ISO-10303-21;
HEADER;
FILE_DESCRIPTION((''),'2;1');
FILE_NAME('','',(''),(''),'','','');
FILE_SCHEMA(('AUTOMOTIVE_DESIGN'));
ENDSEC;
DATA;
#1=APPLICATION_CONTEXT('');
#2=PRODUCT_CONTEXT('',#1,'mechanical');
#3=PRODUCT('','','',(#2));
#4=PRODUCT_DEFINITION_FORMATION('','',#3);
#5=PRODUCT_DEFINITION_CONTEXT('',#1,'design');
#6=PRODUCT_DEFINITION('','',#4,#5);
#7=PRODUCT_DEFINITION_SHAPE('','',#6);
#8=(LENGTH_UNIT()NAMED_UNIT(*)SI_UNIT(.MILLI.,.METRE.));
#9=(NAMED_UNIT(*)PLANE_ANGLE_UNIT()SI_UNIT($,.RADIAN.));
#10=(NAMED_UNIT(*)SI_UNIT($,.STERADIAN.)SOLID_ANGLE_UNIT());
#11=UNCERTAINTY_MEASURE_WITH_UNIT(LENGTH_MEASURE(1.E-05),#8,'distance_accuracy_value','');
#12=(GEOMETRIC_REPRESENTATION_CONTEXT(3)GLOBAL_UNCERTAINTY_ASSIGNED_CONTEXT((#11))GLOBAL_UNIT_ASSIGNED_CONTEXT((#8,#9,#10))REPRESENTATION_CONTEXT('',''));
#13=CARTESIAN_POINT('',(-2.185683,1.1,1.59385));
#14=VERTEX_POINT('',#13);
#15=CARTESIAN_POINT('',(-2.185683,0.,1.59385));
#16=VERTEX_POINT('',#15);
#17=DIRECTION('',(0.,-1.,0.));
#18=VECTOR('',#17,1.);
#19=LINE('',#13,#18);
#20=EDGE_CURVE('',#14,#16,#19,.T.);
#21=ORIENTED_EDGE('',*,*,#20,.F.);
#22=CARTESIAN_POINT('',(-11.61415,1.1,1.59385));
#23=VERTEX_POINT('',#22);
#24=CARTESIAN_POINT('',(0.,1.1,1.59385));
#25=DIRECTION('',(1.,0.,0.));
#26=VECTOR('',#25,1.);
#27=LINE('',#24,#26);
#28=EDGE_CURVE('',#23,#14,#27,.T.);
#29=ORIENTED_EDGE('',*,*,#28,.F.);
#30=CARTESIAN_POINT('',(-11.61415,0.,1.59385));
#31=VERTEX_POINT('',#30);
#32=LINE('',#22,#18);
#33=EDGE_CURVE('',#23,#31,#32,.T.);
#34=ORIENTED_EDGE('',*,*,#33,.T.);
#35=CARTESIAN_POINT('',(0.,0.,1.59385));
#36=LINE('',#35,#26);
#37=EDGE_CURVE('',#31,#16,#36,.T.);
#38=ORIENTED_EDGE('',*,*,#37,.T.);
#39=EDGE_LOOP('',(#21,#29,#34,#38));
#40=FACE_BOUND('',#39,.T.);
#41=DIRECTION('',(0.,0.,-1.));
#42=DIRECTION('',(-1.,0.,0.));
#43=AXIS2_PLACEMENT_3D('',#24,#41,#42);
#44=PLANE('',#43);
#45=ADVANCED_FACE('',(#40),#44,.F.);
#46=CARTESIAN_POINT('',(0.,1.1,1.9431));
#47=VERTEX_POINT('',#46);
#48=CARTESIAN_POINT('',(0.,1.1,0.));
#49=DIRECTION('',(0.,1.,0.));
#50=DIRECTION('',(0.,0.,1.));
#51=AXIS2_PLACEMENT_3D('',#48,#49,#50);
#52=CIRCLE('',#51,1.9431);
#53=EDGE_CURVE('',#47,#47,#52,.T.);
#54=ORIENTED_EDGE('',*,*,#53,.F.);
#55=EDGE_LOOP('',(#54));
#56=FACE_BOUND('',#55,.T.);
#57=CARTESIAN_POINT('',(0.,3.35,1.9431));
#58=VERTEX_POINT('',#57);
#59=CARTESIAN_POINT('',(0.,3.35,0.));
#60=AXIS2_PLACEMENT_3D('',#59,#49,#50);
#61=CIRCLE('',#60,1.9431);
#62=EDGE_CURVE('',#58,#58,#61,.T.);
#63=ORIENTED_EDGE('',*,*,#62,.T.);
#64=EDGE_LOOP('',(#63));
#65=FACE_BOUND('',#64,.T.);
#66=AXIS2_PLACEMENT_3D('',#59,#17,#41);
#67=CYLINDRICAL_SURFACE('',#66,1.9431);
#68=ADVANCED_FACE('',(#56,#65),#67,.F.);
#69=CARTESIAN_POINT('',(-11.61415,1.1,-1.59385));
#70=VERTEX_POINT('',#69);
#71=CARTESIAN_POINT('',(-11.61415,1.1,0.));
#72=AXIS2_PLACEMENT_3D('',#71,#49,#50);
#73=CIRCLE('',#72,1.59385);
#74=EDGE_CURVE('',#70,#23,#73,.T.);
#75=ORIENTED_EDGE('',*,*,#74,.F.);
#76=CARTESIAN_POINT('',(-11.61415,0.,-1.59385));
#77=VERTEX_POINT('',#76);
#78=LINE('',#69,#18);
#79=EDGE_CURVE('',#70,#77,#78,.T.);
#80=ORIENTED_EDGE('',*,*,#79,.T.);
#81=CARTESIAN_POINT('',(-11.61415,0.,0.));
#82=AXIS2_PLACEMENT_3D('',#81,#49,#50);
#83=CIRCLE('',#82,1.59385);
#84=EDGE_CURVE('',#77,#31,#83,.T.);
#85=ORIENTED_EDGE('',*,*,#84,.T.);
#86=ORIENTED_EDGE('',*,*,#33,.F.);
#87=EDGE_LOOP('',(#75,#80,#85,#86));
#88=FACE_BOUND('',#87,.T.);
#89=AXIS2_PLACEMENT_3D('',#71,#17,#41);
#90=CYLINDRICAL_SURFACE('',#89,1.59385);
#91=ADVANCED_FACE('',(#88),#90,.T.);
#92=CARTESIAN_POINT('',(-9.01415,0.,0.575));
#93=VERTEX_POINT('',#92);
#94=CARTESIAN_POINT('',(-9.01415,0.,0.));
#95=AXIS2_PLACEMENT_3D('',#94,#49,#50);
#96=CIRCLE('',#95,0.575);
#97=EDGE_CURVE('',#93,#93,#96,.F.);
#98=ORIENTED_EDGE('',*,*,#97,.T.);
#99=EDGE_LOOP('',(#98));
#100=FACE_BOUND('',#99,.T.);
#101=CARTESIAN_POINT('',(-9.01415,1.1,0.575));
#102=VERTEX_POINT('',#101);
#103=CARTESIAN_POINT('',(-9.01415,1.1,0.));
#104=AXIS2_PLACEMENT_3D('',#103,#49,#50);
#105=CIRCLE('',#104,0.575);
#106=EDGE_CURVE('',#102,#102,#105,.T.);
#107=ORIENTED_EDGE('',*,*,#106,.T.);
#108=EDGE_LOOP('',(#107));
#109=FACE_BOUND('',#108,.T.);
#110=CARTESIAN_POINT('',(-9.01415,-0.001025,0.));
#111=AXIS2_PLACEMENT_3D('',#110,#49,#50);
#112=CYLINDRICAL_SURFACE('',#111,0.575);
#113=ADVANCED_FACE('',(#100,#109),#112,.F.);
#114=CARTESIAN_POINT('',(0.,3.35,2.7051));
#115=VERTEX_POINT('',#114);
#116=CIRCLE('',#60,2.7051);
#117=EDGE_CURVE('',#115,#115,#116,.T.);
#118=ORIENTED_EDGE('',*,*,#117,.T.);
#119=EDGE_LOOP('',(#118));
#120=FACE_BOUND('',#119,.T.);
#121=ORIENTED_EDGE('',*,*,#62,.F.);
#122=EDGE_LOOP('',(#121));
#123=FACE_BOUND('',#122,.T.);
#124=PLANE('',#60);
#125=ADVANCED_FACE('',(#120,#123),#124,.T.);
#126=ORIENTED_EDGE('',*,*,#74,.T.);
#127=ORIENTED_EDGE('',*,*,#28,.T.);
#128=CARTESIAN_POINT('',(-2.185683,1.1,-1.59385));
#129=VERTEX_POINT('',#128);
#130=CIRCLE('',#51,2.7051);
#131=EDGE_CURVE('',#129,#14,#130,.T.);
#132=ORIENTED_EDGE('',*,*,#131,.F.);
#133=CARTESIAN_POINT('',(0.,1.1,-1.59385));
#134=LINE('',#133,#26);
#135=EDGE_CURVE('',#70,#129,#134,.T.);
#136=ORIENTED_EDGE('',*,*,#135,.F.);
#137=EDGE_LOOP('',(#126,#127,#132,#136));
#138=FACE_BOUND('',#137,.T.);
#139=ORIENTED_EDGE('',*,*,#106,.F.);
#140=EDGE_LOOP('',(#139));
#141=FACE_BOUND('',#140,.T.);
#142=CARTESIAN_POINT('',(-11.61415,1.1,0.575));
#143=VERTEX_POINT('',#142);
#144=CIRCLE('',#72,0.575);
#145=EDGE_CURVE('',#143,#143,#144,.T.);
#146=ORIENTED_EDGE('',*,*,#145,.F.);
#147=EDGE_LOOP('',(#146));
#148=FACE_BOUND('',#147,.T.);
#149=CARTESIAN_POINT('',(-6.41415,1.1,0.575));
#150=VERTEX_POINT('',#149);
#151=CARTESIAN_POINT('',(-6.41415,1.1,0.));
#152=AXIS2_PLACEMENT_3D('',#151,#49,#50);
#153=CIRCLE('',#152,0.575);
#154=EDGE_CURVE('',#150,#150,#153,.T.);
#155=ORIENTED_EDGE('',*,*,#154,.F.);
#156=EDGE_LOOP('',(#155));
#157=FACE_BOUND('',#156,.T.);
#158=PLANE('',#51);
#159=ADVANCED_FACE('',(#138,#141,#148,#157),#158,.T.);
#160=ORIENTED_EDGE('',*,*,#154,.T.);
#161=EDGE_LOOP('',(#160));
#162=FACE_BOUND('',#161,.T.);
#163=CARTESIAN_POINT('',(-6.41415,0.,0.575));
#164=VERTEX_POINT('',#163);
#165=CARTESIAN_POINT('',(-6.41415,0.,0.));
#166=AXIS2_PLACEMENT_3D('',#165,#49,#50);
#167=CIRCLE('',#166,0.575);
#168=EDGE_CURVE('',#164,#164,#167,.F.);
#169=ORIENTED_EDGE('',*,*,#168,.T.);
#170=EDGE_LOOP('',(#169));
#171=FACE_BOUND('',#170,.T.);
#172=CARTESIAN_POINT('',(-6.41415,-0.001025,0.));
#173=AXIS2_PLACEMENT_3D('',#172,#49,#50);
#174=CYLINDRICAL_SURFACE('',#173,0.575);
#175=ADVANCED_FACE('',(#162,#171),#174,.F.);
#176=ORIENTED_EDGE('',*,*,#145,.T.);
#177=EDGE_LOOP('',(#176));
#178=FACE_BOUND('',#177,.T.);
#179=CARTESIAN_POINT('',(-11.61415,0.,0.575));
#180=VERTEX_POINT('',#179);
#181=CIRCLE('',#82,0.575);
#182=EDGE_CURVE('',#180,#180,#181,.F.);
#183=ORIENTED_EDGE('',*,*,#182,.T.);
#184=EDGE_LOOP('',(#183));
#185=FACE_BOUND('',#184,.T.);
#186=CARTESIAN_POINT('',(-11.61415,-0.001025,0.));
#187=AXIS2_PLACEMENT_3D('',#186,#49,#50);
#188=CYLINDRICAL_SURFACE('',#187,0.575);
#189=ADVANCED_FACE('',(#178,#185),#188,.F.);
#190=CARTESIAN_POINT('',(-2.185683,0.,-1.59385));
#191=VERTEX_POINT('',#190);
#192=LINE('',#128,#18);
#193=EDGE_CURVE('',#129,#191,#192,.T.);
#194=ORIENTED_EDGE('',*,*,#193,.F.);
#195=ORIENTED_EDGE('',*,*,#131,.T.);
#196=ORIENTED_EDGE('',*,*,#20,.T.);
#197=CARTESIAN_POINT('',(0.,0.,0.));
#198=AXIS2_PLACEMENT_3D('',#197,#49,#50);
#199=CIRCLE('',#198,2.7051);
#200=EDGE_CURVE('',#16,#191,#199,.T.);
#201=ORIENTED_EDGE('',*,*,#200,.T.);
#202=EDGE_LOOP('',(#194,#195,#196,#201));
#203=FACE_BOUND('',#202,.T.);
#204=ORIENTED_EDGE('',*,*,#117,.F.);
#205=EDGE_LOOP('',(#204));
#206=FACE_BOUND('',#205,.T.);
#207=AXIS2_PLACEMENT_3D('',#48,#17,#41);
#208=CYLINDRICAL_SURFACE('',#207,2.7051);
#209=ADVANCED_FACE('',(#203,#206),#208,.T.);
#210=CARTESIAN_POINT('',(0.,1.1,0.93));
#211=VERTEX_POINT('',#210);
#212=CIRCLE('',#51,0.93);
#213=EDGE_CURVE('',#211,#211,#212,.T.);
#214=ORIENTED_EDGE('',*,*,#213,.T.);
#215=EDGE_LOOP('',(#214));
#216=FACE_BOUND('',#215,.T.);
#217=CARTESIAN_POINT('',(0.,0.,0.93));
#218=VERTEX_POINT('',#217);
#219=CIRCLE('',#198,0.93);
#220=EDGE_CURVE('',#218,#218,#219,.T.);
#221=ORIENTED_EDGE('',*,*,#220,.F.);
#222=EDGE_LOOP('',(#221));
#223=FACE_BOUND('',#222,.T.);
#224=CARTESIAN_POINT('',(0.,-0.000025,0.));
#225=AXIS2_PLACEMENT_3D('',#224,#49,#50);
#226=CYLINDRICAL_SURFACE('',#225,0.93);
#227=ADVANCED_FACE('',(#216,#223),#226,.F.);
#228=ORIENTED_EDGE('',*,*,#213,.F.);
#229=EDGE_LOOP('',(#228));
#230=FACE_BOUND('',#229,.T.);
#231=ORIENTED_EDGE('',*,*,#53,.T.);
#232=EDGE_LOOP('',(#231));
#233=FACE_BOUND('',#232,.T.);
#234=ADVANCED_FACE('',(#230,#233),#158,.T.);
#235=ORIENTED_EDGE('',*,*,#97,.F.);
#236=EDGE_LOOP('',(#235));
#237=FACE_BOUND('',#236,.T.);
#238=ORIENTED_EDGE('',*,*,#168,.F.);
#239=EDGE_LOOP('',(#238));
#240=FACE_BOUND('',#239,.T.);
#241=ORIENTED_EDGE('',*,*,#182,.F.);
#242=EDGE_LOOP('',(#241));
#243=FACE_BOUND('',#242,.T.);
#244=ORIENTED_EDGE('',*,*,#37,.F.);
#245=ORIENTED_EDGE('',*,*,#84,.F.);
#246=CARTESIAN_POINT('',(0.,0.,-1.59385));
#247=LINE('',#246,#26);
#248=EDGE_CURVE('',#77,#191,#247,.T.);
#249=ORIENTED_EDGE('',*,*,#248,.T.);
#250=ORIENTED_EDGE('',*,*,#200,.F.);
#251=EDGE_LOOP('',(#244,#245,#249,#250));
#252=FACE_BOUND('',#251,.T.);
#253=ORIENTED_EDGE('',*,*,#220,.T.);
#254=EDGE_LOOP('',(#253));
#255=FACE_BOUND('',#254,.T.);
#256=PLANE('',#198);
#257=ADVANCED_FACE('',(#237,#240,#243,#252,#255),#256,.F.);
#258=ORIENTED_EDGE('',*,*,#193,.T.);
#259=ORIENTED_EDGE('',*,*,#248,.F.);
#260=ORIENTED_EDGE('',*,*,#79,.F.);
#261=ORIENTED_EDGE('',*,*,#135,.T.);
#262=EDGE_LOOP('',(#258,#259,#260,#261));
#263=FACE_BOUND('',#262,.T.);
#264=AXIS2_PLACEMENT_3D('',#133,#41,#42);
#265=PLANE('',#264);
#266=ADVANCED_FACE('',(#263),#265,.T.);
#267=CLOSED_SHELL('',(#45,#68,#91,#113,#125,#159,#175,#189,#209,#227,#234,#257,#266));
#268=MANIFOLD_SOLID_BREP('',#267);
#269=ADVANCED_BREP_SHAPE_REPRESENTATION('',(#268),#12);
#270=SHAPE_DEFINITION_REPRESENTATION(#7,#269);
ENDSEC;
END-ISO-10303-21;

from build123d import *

# Parameters (mm, degrees)
BOSS_EXTRUDE1_DEPTH = 1.1
SKETCH2_R           = 2.7051
SKETCH2_R_2         = 1.9431
BOSS_EXTRUDE2_DEPTH = 2.25
SKETCH3_R           = 0.930000045
CUT_EXTRUDE1_DEPTH  = 14.668625754
CUT_EXTRUDE2_REACH  = 15.669
SKETCH4_R           = 0.575


with BuildPart() as part:
    # Sketch1 → Boss-Extrude1 (new body)
    with BuildSketch(Plane(origin=(0, 0, 0), x_dir=(1, 0, 0), z_dir=(0, 1, 0))):
        with BuildLine():
            Line((-2.185682545, 1.59385), (-11.61415, 1.59385))
            ThreePointArc((-11.61415, 1.59385), (-13.208, 0), (-11.61415, -1.59385))
            Line((-11.61415, -1.59385), (-2.185682545, -1.59385))
            ThreePointArc((-2.185682545, -1.59385), (2.7051, 0), (-2.185682545, 1.59385))
        make_face()
    extrude(amount=BOSS_EXTRUDE1_DEPTH)

    # Sketch2 → Boss-Extrude2 (add)
    with BuildSketch(Plane(origin=(0, 1.1, 0), x_dir=(1, 0, 0), z_dir=(0, 1, 0))):
        Circle(SKETCH2_R)
        Circle(SKETCH2_R_2, mode=Mode.SUBTRACT)
    extrude(amount=BOSS_EXTRUDE2_DEPTH)

    # Sketch3 → Cut-Extrude1 (cut, through all)
    with BuildSketch(Plane(origin=(0, 1.1, 0), x_dir=(1, 0, 0), z_dir=(0, 1, 0))):
        Circle(SKETCH3_R)
    extrude(amount=-CUT_EXTRUDE1_DEPTH, mode=Mode.SUBTRACT)

    # Sketch4 → Cut-Extrude2 (cut, up to next)
    with BuildSketch(Plane(origin=(0, 1.1, 0), x_dir=(1, 0, 0), z_dir=(0, 1, 0)), mode=Mode.PRIVATE) as cut_extrude2_sk1:
        with Locations((-11.61415, 0)):
            Circle(SKETCH4_R)
    cut_extrude2_tool1 = extrude(cut_extrude2_sk1.sketch, amount=-CUT_EXTRUDE2_REACH, mode=Mode.PRIVATE) & part.part
    # Sketch4 → Cut-Extrude2 (cut, up to next)
    with BuildSketch(Plane(origin=(0, 1.1, 0), x_dir=(1, 0, 0), z_dir=(0, 1, 0)), mode=Mode.PRIVATE) as cut_extrude2_sk2:
        with Locations((-9.01415, 0)):
            Circle(SKETCH4_R)
    cut_extrude2_tool2 = extrude(cut_extrude2_sk2.sketch, amount=-CUT_EXTRUDE2_REACH, mode=Mode.PRIVATE) & part.part
    # Sketch4 → Cut-Extrude2 (cut, up to next)
    with BuildSketch(Plane(origin=(0, 1.1, 0), x_dir=(1, 0, 0), z_dir=(0, 1, 0)), mode=Mode.PRIVATE) as cut_extrude2_sk3:
        with Locations((-6.41415, 0)):
            Circle(SKETCH4_R)
    cut_extrude2_tool3 = extrude(cut_extrude2_sk3.sketch, amount=-CUT_EXTRUDE2_REACH, mode=Mode.PRIVATE) & part.part
    add(cut_extrude2_tool1.solids().sort_by_distance((-11.61415, 1.1, 0))[0], mode=Mode.SUBTRACT)
    add(cut_extrude2_tool2.solids().sort_by_distance((-9.01415, 1.1, 0))[0], mode=Mode.SUBTRACT)
    add(cut_extrude2_tool3.solids().sort_by_distance((-6.41415, 1.1, 0))[0], mode=Mode.SUBTRACT)


solid = part.part
